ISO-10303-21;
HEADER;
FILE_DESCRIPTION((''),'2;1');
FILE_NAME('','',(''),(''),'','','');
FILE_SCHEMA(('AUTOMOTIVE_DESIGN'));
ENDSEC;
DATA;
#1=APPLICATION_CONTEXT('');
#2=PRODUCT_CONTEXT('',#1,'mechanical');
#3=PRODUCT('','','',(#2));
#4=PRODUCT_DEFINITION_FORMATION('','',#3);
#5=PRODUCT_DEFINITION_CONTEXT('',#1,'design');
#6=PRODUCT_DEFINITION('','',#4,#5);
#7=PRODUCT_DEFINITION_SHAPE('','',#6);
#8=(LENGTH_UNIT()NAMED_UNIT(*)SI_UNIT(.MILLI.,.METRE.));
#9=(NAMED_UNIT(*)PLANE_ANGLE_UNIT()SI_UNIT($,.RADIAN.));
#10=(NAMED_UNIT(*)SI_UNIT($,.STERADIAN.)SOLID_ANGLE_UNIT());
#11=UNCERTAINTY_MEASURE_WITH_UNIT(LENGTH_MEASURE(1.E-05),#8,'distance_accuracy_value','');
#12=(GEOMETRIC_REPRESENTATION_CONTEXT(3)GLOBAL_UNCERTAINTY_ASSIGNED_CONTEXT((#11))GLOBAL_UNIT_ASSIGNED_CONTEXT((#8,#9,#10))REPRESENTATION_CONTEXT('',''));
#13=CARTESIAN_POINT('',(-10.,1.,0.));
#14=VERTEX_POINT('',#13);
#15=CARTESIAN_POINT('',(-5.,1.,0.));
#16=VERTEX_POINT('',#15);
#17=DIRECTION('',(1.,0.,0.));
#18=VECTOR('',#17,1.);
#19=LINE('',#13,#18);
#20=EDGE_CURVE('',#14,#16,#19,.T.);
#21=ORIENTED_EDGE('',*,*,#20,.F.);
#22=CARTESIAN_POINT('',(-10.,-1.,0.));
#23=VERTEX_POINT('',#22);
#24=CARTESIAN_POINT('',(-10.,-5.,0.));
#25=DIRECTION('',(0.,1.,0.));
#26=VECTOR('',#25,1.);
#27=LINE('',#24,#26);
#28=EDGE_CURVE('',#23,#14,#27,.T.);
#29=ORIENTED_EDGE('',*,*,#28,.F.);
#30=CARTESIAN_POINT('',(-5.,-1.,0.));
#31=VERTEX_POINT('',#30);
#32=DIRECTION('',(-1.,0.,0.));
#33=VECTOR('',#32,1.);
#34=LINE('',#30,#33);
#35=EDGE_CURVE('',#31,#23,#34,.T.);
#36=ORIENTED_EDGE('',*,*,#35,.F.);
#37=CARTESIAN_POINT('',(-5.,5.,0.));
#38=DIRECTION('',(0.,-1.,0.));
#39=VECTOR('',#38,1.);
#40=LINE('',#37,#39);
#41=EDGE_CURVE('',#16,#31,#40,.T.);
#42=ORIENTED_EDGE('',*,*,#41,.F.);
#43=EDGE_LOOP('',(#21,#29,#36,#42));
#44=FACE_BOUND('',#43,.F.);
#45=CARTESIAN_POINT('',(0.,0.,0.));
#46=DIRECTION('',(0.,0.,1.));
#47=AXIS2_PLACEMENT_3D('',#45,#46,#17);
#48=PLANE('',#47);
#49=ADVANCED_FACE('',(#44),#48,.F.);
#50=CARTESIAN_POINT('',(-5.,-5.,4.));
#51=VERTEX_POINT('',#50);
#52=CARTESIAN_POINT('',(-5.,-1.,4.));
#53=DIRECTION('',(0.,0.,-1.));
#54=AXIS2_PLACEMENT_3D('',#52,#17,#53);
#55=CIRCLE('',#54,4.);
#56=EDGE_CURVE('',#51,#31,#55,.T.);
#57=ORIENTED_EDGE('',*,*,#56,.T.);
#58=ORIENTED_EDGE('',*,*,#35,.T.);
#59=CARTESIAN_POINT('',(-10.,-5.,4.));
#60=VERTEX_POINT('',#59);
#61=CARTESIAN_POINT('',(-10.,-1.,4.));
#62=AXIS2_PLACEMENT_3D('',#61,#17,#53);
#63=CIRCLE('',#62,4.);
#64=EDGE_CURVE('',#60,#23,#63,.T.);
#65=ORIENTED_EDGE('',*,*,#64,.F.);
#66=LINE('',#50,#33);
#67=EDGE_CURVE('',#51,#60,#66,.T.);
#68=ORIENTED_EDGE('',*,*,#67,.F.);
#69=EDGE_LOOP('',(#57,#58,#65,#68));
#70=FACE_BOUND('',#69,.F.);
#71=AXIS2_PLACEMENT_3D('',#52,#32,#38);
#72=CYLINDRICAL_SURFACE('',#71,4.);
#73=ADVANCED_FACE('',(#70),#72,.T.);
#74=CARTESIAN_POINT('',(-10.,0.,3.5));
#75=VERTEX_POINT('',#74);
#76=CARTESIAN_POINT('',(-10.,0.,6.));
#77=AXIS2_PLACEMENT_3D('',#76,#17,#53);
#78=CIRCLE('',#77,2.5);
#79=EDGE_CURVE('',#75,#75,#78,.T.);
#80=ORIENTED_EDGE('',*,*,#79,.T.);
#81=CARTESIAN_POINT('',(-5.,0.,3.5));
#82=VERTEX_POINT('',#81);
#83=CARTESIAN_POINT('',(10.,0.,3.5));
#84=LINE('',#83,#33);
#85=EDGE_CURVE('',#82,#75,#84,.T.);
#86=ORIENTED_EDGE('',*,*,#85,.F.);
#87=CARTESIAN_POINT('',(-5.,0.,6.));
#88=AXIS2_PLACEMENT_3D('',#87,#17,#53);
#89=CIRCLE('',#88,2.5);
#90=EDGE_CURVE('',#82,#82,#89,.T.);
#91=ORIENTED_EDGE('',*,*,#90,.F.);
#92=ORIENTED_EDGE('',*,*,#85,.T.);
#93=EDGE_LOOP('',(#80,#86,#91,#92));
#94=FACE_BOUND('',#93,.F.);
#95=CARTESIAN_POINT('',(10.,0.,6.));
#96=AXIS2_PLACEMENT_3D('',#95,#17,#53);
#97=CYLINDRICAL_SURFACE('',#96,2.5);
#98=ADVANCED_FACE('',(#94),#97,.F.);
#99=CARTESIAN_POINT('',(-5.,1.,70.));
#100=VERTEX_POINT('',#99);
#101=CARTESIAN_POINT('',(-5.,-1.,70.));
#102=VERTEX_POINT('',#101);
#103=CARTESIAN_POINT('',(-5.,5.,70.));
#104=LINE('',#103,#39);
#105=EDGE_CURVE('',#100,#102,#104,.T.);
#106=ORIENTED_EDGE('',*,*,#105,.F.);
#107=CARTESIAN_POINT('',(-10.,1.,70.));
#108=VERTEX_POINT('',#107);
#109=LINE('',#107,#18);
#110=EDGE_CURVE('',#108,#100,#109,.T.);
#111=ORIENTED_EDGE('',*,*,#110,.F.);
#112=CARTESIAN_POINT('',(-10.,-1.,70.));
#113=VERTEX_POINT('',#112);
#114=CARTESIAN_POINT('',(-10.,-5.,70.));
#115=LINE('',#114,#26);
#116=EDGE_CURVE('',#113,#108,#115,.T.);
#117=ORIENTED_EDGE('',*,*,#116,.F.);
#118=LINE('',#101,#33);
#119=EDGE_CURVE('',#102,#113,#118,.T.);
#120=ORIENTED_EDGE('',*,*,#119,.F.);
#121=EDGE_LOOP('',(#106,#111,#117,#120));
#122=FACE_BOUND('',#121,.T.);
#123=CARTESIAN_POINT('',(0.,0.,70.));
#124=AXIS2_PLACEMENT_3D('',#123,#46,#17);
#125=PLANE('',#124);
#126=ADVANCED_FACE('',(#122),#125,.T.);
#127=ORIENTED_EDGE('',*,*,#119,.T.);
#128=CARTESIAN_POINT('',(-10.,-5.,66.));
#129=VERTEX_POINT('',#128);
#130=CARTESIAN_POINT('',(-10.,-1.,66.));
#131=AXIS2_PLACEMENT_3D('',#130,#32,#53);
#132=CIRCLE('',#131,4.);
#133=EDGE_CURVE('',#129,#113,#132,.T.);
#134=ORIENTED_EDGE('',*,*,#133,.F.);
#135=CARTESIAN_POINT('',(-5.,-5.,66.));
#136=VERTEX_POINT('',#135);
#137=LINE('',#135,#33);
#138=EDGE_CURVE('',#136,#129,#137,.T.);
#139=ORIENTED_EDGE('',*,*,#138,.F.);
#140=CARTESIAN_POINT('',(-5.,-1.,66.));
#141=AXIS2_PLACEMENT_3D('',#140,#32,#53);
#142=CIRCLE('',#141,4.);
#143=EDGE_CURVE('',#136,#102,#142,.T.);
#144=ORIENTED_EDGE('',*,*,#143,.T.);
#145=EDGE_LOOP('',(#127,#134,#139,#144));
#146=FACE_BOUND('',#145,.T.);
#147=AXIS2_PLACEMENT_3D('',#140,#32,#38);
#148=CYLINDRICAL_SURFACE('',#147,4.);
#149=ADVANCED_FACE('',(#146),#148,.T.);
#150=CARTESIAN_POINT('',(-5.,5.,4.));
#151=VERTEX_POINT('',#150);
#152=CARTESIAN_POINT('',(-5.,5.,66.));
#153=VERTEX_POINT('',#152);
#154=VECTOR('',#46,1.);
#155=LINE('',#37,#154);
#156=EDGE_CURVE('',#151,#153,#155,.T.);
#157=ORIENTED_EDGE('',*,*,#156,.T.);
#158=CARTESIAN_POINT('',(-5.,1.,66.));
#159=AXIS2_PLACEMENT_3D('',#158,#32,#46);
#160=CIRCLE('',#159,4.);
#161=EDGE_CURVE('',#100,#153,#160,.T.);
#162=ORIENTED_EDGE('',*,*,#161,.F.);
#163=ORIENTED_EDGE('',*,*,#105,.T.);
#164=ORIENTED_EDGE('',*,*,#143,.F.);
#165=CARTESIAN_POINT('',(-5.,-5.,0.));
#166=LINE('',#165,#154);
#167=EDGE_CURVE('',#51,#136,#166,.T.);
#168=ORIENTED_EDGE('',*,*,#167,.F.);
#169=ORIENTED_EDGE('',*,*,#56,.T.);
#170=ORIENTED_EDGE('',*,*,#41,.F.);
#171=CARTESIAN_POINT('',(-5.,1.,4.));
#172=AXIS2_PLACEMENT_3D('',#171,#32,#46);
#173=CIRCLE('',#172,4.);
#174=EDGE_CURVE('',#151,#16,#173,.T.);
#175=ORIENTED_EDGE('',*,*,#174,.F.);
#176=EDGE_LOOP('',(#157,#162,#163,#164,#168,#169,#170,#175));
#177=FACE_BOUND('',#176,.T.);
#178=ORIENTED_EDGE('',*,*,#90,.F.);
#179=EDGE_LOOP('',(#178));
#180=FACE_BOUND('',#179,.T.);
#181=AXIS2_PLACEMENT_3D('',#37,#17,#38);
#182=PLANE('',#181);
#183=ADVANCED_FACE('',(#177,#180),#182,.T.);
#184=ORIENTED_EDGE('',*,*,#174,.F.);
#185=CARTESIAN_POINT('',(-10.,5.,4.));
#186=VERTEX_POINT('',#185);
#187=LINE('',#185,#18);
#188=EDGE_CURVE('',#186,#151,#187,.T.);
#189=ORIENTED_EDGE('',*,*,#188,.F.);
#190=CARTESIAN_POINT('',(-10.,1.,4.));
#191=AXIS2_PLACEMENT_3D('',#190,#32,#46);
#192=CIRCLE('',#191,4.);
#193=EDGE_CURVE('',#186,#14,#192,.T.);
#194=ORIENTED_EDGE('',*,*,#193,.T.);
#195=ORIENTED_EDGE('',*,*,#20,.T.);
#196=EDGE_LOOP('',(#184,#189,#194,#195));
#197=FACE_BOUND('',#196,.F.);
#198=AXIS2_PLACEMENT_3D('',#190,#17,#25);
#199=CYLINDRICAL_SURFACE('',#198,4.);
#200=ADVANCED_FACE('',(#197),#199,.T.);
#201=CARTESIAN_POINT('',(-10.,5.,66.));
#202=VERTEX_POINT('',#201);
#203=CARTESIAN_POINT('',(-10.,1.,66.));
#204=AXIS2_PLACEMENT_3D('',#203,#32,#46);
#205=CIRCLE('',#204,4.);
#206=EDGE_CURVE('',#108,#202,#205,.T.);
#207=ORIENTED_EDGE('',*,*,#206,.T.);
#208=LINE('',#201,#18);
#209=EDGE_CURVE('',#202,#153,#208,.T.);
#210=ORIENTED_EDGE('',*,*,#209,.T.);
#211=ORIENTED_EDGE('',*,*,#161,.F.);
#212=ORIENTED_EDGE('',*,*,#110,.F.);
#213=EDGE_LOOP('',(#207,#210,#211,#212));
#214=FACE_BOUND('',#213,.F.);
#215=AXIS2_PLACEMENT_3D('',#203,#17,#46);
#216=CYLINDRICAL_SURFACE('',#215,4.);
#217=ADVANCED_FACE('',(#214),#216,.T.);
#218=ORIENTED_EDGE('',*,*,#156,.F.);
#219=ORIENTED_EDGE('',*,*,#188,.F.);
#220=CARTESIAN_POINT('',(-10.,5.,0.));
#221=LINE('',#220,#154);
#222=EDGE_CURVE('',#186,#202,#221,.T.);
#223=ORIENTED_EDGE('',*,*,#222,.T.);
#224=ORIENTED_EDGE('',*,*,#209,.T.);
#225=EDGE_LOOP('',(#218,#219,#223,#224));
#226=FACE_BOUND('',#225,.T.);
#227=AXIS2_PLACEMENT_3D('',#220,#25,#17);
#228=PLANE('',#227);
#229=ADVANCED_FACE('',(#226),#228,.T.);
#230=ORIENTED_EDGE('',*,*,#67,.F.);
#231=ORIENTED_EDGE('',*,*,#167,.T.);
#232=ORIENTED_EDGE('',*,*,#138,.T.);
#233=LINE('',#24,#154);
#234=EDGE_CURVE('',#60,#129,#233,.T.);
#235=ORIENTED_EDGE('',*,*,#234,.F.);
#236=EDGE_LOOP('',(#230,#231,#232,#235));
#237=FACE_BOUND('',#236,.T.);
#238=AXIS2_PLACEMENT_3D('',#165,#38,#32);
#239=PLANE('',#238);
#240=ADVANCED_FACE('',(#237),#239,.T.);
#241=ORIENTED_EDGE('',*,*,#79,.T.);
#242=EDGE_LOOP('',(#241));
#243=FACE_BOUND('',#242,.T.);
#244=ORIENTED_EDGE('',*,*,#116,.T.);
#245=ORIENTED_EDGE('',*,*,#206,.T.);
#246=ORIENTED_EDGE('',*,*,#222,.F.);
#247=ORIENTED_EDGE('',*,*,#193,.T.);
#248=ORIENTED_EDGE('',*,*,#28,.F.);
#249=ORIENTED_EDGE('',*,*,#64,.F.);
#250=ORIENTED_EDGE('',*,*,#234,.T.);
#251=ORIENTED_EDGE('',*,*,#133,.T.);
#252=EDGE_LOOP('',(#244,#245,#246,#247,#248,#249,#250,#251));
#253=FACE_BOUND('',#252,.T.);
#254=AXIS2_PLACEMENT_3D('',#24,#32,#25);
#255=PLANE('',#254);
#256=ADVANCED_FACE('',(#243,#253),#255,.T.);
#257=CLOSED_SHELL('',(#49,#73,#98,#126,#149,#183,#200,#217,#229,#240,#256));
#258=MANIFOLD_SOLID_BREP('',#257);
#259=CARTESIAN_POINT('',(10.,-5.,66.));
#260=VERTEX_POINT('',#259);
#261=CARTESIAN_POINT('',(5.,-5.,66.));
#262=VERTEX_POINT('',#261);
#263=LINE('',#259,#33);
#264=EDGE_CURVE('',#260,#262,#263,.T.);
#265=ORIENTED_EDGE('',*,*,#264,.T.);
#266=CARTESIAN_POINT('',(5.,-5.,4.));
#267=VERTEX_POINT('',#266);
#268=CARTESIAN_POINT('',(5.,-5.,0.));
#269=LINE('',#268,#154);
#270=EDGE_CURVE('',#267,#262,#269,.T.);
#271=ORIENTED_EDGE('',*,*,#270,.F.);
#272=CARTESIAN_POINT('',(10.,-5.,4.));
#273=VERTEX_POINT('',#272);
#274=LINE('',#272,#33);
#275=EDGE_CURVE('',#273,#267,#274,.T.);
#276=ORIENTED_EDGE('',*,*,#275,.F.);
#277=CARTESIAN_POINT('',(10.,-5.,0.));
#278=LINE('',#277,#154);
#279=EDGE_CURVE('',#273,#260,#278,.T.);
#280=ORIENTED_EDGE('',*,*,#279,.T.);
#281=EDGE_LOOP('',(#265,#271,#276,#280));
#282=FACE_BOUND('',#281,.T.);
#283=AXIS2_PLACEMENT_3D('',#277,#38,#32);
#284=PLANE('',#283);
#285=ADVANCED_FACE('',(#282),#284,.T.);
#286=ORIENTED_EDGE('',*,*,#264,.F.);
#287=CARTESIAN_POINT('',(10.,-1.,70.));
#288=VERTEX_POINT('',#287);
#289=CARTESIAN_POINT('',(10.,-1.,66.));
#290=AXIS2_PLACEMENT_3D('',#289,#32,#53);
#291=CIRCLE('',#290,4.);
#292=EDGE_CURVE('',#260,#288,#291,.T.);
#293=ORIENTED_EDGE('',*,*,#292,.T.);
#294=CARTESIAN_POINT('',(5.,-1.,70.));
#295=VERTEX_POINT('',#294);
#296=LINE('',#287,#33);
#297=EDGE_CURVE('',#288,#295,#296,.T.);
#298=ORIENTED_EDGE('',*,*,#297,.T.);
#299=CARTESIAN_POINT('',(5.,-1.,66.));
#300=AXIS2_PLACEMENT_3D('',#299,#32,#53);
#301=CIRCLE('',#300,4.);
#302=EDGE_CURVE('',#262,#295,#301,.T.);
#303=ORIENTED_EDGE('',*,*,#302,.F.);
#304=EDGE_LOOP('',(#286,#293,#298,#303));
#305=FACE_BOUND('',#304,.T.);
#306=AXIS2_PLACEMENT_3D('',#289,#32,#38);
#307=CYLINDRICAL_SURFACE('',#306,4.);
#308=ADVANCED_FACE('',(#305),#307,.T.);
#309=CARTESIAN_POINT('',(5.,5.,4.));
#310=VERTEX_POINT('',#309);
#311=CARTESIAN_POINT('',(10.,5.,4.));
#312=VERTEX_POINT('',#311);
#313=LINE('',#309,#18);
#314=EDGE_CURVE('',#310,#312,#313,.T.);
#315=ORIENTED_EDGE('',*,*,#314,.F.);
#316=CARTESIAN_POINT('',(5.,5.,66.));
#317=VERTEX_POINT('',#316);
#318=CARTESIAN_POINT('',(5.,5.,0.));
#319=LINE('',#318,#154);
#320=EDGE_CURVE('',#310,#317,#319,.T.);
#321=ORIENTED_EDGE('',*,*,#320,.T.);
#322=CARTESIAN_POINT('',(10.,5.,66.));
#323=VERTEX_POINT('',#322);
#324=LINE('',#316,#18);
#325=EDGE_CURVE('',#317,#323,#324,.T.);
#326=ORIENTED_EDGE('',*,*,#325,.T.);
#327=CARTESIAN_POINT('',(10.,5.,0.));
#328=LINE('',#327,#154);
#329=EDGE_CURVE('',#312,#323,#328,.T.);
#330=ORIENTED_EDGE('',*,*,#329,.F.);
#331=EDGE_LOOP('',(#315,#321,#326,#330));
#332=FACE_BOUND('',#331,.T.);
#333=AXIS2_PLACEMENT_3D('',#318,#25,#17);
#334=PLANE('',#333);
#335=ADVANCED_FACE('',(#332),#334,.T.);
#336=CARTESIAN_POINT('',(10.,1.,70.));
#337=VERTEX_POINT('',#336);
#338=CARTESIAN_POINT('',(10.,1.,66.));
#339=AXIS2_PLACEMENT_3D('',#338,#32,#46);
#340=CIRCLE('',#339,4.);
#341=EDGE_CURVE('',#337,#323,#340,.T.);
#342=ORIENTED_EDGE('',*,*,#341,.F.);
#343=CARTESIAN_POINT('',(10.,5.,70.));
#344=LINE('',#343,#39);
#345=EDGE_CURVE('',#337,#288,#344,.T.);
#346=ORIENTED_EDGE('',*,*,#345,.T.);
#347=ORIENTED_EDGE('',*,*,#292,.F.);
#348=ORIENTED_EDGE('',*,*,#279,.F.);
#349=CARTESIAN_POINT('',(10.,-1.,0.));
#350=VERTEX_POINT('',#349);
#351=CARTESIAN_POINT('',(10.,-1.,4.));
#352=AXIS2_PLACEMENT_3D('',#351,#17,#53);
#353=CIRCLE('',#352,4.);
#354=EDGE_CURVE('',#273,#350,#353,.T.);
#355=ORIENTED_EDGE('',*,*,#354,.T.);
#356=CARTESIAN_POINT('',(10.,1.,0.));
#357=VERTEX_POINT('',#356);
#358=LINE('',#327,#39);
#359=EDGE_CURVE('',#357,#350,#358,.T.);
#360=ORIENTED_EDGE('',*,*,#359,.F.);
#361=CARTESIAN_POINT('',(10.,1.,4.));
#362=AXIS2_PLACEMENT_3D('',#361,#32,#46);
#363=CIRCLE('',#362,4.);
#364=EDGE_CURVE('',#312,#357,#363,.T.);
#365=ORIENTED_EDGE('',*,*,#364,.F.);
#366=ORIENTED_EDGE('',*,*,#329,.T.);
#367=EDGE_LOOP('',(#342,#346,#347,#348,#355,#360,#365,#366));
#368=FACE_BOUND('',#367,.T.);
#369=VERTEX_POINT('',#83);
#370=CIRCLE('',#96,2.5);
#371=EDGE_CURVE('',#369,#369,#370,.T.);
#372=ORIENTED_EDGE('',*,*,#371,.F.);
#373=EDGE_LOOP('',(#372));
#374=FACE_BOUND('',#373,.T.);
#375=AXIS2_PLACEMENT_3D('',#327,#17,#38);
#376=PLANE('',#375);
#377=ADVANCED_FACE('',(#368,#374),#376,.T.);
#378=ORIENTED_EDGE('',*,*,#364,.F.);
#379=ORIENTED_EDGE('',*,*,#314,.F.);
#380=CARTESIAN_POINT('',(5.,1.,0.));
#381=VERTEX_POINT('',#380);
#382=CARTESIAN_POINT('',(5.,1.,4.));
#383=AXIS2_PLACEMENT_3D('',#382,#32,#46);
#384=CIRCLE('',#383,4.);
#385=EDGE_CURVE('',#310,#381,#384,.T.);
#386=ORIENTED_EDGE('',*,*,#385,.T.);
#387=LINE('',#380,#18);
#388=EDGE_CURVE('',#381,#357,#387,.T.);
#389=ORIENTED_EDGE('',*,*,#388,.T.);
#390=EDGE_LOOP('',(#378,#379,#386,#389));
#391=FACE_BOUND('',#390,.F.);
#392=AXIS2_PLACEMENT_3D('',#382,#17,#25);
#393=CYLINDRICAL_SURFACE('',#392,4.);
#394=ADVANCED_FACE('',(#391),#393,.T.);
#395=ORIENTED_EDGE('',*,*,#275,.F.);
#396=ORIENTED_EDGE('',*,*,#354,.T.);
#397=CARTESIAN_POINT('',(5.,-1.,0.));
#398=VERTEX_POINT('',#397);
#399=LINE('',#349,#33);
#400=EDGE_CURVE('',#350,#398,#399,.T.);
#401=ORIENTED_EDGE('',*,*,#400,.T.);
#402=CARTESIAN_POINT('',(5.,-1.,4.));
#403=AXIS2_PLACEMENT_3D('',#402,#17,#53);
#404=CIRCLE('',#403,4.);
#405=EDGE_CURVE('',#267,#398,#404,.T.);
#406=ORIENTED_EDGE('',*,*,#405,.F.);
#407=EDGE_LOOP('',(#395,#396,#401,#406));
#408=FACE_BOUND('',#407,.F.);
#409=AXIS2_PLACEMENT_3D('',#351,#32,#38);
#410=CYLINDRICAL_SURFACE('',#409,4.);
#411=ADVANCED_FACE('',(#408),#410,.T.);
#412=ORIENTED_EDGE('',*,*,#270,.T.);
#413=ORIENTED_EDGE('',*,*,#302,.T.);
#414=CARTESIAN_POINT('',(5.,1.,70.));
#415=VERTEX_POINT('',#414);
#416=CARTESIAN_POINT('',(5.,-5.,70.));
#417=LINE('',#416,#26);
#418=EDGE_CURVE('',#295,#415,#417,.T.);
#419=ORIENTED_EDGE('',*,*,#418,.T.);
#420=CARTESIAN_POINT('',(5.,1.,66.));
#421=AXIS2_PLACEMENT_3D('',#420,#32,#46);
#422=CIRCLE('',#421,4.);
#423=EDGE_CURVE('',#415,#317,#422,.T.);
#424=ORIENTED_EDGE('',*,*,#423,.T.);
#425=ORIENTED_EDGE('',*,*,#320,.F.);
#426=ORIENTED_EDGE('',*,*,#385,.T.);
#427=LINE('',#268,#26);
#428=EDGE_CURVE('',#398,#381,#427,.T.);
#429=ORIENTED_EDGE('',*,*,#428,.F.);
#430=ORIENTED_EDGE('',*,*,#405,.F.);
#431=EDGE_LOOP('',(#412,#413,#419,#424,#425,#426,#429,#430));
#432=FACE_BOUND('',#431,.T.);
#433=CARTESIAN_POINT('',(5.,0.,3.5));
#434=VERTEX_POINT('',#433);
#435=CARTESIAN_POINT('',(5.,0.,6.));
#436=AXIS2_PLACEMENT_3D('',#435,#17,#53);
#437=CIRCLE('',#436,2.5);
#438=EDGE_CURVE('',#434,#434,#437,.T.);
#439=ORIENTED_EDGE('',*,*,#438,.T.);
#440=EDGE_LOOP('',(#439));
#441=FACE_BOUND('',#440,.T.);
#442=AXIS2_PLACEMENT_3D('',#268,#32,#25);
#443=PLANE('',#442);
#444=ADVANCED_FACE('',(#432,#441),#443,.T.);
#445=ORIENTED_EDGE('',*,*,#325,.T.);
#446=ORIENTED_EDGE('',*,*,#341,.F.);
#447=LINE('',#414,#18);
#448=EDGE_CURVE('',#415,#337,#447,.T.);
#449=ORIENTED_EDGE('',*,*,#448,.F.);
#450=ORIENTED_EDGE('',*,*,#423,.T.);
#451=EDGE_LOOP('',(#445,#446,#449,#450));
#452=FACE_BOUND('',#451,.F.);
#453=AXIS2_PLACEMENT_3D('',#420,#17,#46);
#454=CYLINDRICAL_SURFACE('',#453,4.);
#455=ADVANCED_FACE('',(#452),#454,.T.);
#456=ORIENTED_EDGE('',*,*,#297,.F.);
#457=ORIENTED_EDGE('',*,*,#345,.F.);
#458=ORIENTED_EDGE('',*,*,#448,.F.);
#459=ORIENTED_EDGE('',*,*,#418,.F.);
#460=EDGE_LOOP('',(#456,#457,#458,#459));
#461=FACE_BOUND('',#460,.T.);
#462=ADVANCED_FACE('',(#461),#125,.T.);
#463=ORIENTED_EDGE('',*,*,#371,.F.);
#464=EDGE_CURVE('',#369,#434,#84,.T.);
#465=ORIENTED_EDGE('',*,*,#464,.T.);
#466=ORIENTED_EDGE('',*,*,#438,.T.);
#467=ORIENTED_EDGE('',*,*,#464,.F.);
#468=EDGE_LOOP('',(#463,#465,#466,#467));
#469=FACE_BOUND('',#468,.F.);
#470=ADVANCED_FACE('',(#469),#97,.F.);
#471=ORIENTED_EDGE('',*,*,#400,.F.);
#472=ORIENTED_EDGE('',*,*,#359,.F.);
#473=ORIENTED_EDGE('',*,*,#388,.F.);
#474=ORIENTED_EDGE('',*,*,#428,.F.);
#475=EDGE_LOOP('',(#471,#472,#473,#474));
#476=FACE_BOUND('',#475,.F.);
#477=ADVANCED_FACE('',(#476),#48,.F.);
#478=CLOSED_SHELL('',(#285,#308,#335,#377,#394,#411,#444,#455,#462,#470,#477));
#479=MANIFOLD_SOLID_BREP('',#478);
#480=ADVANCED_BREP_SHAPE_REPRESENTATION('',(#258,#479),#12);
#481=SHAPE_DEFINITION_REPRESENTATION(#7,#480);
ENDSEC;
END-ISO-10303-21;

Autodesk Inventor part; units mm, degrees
ref_plane "YZ Plane" through (0, 0, 0) normal (1, 0, 0) x (0, 1, 0)
ref_plane "XZ Plane" through (0, 0, 0) normal (0, 1, 0) x (-1, 0, 0)
ref_plane "XY Plane" through (0, 0, 0) normal (0, 0, 1) x (1, 0, 0)
sketch "Sketch1" plane through (0, 0, 0) normal (0, 0, 1) x (1, 0, 0)
  line L0 (-5, 0) -> (5, 0) construction
  line L1 (-5, -5) -> (-10, -5)
  line L2 (-10, -5) -> (-10, 5)
  line L3 (-10, 5) -> (-5, 5)
  line L4 (-5, 5) -> (-5, -5)
  line L5 (10, -5) -> (5, -5)
  line L6 (5, -5) -> (5, 5)
  line L7 (5, 5) -> (10, 5)
  line L8 (10, 5) -> (10, -5)
  point P0 (0, 0)
  point P1 (0, 0)
  dimension "d0" = 10
  dimension "d1" = 5
  dimension "d2" = 5
  dimension "d3" = 10
  dimension "d4" = 10
extrude "Extrusion1" add sketch "Sketch1" along normal blind 70
fillet "Fillet1" radius 4 4 edges at (7.5, -5, 0) (7.5, 5, 0) (-7.5, -5, 0) (-7.5, 5, 0)
sketch "Sketch2" plane through (10, -5, 70) normal (1, 0, 0) x (0, 0, -1)
  circle A0 centre (64, 5) radius 2.5
  point P0 (70, 5)
  dimension "d8" = 5
  dimension "d9" = 6
extrude "Extrusion2" cut sketch "Sketch2" against normal up to surface (20 mm away)
fillet "Fillet2" radius 4 4 edges at (7.5, 5, 70) (7.5, -5, 70) (-7.5, 5, 70) (-7.5, -5, 70)
properties part number "manipulator first link"
